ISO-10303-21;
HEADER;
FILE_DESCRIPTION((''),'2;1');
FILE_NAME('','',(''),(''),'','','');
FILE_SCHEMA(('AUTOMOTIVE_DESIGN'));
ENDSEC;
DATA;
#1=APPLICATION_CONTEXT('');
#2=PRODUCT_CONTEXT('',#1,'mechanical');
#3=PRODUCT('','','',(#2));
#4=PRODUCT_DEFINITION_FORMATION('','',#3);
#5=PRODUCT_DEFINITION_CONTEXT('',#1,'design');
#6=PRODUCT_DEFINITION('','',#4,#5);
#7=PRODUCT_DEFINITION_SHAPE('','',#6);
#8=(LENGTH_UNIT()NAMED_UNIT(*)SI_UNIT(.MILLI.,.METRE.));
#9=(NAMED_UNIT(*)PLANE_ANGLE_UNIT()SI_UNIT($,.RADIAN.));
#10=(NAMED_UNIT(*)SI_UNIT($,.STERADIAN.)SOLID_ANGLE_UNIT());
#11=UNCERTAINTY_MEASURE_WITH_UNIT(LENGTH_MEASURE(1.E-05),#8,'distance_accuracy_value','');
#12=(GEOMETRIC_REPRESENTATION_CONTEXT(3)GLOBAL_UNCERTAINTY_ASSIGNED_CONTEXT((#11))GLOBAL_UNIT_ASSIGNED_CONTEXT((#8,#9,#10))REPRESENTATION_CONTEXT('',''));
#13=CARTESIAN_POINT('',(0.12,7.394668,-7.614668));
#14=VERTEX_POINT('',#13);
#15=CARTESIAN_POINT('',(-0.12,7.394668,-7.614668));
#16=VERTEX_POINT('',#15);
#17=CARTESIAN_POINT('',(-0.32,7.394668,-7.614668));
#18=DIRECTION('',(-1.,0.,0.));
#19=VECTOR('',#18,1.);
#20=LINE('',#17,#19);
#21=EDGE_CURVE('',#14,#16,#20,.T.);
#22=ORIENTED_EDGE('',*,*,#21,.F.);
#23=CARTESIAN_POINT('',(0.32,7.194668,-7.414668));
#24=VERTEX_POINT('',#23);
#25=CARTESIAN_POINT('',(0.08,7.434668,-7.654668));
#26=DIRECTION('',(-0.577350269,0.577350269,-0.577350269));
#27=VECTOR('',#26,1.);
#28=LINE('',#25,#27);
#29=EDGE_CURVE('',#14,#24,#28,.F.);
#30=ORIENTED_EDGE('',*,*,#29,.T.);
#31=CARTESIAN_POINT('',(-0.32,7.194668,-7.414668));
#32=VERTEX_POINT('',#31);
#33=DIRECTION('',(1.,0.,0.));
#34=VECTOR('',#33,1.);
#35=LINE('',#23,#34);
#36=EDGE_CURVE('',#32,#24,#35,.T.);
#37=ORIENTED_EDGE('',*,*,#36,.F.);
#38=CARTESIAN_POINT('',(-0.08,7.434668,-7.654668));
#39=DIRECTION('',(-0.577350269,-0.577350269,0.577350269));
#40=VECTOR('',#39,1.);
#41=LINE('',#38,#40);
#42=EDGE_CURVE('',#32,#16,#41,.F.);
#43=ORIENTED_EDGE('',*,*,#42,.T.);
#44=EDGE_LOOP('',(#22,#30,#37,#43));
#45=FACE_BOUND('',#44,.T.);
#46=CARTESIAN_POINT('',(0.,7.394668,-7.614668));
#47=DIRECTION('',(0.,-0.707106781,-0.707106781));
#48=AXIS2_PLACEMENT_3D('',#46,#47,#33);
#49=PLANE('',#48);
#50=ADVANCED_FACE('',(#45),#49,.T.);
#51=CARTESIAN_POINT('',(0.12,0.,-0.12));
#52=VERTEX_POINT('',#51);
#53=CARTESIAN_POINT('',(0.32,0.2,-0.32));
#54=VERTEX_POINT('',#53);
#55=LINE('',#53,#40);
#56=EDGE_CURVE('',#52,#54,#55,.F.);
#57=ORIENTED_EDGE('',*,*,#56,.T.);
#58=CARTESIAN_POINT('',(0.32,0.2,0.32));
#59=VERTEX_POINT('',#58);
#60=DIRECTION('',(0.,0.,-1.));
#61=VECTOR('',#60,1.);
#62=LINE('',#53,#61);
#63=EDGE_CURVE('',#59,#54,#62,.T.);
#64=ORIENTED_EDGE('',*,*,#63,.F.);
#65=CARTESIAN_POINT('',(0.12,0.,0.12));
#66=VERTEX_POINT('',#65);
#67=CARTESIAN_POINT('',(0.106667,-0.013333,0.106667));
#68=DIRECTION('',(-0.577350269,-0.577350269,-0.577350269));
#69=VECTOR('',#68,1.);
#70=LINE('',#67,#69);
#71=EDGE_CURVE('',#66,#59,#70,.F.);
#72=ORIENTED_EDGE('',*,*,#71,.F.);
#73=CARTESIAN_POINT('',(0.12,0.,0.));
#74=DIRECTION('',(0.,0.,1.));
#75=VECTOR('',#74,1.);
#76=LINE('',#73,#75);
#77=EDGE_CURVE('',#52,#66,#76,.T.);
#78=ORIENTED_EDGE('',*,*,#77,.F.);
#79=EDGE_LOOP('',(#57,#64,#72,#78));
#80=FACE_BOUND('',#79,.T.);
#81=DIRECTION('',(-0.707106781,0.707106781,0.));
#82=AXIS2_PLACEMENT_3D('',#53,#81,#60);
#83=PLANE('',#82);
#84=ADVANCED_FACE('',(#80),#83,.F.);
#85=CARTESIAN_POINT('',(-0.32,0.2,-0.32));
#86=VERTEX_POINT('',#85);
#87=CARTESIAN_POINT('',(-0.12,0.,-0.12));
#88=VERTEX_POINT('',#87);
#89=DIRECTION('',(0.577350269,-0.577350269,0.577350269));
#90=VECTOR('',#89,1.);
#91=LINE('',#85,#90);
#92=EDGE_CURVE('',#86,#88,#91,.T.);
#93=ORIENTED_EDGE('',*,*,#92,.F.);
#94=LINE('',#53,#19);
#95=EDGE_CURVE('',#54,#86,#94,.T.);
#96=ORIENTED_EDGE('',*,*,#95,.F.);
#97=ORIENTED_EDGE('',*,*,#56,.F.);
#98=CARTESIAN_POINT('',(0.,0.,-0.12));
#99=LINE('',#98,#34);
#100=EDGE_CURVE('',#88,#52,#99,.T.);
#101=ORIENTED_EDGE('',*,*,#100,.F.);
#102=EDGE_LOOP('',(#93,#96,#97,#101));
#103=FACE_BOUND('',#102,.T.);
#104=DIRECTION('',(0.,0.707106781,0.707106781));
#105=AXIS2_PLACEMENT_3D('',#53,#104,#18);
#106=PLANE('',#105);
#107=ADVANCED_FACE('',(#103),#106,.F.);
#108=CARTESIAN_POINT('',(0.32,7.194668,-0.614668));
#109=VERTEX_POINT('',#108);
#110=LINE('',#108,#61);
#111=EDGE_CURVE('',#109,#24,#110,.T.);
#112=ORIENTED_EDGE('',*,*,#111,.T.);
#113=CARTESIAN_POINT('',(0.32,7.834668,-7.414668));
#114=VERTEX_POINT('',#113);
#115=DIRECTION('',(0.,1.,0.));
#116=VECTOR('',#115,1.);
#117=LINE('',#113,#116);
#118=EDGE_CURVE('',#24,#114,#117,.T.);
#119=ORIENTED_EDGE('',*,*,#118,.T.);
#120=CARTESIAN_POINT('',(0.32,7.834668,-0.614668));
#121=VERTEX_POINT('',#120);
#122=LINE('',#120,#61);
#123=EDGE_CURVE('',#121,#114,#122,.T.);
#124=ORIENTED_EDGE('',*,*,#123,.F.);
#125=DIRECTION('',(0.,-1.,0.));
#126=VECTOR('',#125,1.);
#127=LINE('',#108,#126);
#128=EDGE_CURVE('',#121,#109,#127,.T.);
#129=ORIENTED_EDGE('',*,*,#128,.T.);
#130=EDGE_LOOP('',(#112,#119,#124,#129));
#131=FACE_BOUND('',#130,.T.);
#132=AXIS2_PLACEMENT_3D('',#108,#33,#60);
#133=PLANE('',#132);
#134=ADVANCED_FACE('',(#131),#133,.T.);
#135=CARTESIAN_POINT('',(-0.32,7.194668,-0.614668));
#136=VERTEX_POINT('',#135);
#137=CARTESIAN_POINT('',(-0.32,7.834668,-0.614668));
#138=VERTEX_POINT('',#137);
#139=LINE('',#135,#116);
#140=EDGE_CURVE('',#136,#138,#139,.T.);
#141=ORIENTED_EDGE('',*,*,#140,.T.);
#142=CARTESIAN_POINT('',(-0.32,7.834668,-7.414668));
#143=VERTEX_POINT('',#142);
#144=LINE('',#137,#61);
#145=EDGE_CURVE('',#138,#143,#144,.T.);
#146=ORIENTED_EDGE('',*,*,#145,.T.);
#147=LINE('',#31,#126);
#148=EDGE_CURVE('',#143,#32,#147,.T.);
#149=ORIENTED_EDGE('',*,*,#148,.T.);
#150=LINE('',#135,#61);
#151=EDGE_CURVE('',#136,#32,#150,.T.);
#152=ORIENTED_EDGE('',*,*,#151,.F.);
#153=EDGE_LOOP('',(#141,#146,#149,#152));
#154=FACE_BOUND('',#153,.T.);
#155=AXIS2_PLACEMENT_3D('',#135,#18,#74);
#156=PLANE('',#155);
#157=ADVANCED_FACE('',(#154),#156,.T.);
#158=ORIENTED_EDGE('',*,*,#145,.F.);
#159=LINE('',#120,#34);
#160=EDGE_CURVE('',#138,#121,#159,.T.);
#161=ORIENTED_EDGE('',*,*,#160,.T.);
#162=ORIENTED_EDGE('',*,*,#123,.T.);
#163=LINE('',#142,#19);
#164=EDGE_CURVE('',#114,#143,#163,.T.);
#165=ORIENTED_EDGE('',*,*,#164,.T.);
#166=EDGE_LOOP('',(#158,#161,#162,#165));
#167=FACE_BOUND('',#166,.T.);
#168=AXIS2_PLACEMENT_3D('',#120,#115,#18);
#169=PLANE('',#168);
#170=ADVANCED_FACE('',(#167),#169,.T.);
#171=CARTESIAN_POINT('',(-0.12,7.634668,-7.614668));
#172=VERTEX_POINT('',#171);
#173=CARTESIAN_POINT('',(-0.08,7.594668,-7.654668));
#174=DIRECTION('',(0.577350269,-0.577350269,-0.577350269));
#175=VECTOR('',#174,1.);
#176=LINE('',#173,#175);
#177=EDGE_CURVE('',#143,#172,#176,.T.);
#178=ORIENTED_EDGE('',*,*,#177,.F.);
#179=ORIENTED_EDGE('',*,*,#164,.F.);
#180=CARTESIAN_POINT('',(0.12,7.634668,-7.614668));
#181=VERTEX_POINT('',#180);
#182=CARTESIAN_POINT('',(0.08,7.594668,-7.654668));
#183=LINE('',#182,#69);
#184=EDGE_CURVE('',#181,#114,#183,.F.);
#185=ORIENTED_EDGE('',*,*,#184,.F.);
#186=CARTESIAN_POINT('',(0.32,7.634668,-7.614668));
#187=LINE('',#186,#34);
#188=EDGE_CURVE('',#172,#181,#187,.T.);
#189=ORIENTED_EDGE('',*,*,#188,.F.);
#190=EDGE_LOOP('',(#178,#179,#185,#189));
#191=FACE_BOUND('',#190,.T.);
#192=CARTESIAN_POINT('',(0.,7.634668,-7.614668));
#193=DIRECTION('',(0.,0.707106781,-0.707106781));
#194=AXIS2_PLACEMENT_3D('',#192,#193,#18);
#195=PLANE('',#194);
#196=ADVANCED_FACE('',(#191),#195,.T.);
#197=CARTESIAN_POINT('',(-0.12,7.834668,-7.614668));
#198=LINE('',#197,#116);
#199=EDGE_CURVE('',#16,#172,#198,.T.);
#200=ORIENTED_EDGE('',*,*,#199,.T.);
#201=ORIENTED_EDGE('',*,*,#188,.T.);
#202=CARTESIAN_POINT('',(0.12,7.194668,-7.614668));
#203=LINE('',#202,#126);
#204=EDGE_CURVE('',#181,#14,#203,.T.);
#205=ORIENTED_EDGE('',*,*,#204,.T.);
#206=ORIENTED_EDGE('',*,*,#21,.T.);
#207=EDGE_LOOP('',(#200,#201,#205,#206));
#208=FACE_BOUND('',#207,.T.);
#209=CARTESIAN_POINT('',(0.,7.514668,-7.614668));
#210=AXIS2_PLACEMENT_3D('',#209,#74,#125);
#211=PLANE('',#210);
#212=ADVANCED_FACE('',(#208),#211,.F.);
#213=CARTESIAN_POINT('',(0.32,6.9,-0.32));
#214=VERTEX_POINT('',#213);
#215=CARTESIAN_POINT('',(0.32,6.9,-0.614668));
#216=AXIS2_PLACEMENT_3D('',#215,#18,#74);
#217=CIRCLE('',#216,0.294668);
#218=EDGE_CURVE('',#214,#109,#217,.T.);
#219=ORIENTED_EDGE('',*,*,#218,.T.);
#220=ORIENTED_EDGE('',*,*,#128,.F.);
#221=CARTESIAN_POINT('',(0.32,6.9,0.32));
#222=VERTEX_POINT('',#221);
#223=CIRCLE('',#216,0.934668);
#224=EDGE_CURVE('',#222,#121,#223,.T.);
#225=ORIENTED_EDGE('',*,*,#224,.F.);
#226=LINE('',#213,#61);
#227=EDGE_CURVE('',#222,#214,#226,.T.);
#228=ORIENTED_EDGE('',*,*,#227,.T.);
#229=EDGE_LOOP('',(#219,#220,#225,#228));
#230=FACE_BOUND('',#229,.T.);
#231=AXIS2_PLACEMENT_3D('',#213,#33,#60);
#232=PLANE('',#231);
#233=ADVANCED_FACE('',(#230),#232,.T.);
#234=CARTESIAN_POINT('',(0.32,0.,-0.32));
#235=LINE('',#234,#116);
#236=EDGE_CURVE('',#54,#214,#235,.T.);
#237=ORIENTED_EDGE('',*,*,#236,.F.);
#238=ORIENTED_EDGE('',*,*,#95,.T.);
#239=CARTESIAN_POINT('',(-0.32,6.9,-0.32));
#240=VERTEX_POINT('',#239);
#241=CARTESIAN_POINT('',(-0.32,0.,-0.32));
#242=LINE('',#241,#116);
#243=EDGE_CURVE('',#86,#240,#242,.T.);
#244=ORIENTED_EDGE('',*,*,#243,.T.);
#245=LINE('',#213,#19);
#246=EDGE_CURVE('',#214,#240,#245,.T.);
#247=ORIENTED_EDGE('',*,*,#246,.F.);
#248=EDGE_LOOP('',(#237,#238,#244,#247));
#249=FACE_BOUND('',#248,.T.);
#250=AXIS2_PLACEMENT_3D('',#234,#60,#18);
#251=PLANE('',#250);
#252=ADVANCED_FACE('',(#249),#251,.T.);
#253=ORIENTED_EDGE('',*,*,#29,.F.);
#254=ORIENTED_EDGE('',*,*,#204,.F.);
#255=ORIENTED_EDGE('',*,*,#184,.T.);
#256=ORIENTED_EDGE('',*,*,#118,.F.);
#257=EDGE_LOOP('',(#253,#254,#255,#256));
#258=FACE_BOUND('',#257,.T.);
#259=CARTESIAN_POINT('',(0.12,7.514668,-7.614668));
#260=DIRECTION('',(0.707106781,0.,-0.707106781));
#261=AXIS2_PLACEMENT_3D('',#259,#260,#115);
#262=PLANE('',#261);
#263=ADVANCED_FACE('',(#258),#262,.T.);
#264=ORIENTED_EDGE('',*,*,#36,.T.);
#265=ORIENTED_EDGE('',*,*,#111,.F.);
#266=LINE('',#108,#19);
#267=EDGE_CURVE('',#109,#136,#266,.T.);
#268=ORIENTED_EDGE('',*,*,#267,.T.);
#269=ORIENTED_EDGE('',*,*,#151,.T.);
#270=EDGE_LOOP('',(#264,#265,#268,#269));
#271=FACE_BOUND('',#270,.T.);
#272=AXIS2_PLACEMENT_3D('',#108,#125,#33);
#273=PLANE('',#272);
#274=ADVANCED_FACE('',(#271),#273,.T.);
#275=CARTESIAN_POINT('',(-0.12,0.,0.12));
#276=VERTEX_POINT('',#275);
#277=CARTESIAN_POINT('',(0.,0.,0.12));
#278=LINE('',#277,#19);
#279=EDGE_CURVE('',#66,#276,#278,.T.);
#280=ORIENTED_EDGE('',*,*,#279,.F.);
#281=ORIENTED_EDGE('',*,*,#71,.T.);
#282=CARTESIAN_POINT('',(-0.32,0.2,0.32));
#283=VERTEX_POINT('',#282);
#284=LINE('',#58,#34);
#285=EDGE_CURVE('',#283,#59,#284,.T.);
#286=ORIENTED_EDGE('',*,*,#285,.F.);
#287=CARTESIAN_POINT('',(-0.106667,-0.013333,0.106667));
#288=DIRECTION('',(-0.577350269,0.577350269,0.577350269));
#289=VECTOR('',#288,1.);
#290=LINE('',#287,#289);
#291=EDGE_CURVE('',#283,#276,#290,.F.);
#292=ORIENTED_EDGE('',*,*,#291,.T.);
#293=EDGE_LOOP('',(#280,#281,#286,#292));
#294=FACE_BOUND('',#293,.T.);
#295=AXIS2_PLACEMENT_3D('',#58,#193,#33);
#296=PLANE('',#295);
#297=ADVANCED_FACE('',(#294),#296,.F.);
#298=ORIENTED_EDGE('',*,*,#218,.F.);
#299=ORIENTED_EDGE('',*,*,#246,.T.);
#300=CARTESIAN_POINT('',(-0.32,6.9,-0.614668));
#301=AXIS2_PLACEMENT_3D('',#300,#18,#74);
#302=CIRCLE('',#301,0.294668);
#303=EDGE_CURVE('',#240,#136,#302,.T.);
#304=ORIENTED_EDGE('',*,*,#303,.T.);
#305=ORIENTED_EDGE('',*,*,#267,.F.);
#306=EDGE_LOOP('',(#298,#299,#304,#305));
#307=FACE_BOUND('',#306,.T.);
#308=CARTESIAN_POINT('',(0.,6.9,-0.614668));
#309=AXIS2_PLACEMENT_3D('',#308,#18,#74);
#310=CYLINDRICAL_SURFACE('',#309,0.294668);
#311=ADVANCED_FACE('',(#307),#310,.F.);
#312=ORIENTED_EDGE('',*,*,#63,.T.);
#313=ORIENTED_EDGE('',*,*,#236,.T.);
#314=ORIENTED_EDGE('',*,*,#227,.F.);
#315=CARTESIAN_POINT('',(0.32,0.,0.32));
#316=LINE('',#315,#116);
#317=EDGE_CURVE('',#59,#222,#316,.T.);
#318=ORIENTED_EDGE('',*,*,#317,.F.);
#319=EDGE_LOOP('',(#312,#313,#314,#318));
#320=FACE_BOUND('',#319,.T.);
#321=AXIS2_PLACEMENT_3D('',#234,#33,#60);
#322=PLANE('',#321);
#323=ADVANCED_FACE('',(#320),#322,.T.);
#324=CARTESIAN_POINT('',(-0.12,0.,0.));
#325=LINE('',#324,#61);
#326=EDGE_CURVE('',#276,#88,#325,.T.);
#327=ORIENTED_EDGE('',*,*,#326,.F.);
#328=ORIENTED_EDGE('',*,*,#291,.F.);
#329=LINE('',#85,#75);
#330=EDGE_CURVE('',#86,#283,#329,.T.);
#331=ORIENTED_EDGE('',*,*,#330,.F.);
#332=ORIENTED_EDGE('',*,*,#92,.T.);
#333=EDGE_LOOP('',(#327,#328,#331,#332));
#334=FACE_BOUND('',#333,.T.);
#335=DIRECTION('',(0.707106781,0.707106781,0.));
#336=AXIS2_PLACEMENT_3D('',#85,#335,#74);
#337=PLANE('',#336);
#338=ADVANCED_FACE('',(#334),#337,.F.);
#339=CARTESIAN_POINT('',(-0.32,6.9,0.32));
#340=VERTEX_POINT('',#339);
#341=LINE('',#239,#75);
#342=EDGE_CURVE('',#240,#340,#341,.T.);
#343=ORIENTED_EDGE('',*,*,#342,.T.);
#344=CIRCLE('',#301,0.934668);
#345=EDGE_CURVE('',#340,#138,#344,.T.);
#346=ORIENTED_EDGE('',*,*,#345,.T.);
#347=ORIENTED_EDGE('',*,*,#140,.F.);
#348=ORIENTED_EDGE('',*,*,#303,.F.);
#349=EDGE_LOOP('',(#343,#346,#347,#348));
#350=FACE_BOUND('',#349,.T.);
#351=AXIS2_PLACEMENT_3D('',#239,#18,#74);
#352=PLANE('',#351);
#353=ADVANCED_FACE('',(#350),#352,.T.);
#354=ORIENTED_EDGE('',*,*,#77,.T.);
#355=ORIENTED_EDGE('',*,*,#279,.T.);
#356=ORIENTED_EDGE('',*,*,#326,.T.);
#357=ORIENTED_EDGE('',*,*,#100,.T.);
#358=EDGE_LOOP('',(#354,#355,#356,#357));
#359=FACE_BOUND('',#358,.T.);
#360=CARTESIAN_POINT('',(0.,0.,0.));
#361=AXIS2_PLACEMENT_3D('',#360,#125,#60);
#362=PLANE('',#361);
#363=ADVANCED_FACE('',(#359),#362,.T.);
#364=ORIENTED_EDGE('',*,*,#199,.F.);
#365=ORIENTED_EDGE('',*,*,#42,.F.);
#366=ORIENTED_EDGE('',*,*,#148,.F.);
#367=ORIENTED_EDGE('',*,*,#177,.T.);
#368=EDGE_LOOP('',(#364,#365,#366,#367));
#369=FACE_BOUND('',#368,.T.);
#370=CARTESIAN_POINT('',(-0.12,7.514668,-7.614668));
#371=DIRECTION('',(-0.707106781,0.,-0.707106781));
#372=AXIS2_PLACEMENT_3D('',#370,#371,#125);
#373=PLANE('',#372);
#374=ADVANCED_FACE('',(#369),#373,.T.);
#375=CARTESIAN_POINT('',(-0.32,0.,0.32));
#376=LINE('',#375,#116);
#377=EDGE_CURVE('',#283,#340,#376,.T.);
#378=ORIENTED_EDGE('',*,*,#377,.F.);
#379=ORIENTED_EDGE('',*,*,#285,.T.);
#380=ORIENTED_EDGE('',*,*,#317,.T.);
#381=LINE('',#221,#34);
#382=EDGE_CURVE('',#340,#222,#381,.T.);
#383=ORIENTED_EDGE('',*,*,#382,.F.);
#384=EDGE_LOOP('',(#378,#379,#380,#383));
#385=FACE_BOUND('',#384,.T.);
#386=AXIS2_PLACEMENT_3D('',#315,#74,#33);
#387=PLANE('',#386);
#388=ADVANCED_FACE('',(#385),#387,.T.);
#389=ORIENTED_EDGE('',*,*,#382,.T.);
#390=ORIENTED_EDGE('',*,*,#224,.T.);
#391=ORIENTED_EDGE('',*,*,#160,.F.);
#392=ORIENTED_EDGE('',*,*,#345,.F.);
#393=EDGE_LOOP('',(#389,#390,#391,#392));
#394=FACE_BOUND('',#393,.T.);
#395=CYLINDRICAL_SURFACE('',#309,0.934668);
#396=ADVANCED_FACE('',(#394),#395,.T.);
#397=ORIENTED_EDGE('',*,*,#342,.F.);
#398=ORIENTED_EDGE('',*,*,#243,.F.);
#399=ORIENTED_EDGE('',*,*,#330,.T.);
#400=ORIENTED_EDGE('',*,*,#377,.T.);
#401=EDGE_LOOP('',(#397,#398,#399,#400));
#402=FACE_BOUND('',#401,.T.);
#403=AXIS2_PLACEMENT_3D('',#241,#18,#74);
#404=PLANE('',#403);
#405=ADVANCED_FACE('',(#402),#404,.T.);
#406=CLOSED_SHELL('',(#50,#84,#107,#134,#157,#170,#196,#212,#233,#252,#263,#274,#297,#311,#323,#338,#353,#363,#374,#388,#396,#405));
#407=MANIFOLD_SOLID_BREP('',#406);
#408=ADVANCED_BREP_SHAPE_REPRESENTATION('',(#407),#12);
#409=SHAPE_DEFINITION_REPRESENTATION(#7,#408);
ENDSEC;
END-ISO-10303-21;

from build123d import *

# Parameters (mm, degrees)
SKETCH1_W     = 0.64
SKETCH1_H     = 0.64
CHAMFER1_SIZE = 0.2


with BuildPart() as part:
    # Sweep1: sweep along a path in Sketch2
    with BuildLine(Plane(origin=(0, 0, 0), x_dir=(0, 0, -1), z_dir=(1, 0, 0))) as sweep1_path:
        Line((0.014667815, 0), (0.014667815, 6.9))
        ThreePointArc((0.014667815, 6.9), (0.190403746, 7.324264069), (0.614667815, 7.5))
        Line((0.614667815, 7.5), (7.614667815, 7.5))
    # Sketch1 → Sweep1 (sweep)
    with BuildSketch(Plane(origin=(0, 0, 0), x_dir=(1, 0, 0), z_dir=(0, 1, 0))):
        Rectangle(SKETCH1_W, SKETCH1_H)
    sweep(path=sweep1_path.line)

    # Chamfer1
    chamfer1_edges = [part.edges().sort_by_distance(p)[0] for p in [
        (0, 0, 0.32),
        (0.32, 0, 0),
        (0, 0, -0.32),
        (-0.32, 7.514667815, -7.614667815),
        (0, 7.834667815, -7.614667815),
        (0.32, 7.514667815, -7.614667815),
        (0, 7.194667815, -7.614667815),
        (-0.32, 0, 0),
    ]]
    chamfer(chamfer1_edges, length=CHAMFER1_SIZE)


solid = part.part
